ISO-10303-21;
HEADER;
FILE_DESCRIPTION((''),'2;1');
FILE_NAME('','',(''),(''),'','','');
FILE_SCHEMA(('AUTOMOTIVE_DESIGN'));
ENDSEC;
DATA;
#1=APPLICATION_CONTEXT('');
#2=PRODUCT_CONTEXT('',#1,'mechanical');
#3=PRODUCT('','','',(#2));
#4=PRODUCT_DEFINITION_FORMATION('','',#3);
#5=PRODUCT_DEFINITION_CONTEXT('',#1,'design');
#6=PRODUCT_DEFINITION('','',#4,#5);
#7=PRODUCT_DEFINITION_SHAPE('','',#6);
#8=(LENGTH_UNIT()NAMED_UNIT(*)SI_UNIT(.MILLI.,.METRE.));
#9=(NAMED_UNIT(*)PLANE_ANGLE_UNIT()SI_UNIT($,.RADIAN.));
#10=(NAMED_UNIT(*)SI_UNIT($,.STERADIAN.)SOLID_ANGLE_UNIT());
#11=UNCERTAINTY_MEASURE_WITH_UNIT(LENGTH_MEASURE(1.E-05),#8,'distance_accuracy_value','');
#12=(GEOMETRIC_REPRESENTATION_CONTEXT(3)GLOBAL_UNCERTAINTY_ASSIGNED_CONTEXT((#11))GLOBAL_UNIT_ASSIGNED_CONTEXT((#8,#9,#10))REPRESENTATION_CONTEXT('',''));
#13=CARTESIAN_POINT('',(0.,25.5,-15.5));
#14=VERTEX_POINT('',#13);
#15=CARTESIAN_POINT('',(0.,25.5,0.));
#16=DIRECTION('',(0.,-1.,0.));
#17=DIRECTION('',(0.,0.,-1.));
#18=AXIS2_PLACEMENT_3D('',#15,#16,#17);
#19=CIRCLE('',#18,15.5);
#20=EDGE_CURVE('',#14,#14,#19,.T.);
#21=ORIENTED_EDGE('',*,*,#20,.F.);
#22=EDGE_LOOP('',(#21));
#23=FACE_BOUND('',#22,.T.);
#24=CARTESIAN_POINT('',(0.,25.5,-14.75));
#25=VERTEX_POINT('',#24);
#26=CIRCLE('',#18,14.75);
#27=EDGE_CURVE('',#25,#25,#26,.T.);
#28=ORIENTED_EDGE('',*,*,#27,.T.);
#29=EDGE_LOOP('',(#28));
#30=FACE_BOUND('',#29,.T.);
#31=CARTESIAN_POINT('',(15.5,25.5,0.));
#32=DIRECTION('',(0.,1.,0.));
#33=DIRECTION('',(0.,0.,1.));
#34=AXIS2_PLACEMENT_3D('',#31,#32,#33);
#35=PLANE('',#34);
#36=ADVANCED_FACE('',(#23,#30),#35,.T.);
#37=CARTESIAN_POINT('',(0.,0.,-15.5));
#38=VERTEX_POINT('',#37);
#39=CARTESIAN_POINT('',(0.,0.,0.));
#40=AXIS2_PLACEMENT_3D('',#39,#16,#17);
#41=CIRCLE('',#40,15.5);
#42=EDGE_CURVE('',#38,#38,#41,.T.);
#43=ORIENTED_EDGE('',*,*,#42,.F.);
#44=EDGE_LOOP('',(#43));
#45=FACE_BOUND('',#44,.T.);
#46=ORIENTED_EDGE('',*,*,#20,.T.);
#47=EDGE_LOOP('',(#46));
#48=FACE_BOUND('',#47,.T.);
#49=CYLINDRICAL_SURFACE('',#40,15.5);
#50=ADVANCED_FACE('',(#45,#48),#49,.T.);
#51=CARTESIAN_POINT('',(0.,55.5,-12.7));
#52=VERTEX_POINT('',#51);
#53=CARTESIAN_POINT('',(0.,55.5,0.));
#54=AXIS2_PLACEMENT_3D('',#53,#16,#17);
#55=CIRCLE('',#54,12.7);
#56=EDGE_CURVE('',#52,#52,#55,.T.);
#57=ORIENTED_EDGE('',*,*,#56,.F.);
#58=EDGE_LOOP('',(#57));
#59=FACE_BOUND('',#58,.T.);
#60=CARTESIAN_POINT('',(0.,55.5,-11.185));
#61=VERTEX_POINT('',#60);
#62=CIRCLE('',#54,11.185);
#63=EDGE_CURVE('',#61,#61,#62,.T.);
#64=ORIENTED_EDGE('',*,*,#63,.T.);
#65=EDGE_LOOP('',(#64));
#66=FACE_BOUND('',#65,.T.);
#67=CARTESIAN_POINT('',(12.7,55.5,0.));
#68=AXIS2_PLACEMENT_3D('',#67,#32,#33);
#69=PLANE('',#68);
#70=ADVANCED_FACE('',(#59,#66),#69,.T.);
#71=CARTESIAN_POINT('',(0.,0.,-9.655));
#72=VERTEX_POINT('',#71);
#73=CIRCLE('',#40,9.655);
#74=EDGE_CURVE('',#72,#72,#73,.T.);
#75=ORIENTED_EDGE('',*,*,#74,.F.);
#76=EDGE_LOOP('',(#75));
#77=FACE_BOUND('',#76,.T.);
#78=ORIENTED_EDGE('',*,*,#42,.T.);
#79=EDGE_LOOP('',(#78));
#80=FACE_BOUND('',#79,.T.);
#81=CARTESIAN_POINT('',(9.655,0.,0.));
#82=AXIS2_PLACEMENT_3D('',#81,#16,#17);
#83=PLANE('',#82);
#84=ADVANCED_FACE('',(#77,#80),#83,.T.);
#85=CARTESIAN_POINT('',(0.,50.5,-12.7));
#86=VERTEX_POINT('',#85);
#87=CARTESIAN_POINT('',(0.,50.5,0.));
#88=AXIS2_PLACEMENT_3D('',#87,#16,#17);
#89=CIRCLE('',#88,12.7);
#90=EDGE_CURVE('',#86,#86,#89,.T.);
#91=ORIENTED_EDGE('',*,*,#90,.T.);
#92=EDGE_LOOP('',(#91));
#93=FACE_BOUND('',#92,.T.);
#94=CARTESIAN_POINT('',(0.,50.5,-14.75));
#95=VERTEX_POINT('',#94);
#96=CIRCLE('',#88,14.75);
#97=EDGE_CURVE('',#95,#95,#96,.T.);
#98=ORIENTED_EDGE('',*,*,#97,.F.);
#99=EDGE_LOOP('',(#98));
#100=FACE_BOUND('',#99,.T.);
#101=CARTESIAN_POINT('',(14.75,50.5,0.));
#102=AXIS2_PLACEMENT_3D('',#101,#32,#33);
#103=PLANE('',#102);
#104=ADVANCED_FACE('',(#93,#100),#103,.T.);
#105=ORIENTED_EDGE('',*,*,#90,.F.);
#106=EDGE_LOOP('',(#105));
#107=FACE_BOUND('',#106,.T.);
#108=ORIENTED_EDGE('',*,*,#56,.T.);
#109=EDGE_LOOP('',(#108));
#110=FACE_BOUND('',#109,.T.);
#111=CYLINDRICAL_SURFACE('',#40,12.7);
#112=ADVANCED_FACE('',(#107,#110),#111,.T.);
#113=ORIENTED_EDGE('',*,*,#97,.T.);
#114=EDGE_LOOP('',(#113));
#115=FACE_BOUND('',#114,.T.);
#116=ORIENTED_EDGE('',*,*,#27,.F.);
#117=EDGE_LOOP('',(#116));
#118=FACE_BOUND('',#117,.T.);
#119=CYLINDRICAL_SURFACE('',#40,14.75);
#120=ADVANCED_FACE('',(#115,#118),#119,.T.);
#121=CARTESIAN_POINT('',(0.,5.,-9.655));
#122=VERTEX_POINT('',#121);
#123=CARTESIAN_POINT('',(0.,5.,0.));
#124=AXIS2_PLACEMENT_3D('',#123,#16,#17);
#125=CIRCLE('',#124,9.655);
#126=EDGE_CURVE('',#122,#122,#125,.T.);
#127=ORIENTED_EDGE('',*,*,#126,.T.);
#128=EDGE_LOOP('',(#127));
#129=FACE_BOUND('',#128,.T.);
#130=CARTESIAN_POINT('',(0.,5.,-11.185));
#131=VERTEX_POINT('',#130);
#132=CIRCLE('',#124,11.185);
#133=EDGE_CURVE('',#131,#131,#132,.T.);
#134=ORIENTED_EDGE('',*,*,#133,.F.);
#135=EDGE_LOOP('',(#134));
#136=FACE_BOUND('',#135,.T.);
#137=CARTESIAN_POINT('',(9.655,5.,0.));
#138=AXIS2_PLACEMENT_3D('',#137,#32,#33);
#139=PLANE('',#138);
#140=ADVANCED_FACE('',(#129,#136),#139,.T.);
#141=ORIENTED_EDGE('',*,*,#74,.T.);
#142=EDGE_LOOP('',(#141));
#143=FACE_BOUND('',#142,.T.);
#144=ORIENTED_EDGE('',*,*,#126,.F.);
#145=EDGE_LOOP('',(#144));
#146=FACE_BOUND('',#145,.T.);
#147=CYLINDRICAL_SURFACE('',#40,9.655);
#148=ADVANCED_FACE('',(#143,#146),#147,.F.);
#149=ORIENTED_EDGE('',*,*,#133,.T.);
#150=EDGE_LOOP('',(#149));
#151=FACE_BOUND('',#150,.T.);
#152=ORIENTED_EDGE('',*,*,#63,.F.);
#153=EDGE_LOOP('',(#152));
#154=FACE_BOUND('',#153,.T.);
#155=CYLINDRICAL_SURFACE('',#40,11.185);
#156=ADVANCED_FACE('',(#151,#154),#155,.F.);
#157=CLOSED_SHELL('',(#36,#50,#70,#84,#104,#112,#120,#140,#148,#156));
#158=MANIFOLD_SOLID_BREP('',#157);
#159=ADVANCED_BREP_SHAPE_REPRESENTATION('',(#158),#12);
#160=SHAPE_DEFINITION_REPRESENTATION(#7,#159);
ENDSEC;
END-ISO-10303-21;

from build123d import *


with BuildPart() as part:
    # Sketch1 → Revolve1 (revolve)
    with BuildSketch(Plane.XY):
        Polygon((9.655, 0), (15.5, 0), (15.5, 25.5), (14.75, 25.5), (14.75, 50.5), (12.7, 50.5), (12.7, 55.5), (11.185, 55.5), (11.185, 5), (9.655, 5), align=None)
    revolve(axis=Axis((0, 0, 0), (0, 1, 0)))


solid = part.part
